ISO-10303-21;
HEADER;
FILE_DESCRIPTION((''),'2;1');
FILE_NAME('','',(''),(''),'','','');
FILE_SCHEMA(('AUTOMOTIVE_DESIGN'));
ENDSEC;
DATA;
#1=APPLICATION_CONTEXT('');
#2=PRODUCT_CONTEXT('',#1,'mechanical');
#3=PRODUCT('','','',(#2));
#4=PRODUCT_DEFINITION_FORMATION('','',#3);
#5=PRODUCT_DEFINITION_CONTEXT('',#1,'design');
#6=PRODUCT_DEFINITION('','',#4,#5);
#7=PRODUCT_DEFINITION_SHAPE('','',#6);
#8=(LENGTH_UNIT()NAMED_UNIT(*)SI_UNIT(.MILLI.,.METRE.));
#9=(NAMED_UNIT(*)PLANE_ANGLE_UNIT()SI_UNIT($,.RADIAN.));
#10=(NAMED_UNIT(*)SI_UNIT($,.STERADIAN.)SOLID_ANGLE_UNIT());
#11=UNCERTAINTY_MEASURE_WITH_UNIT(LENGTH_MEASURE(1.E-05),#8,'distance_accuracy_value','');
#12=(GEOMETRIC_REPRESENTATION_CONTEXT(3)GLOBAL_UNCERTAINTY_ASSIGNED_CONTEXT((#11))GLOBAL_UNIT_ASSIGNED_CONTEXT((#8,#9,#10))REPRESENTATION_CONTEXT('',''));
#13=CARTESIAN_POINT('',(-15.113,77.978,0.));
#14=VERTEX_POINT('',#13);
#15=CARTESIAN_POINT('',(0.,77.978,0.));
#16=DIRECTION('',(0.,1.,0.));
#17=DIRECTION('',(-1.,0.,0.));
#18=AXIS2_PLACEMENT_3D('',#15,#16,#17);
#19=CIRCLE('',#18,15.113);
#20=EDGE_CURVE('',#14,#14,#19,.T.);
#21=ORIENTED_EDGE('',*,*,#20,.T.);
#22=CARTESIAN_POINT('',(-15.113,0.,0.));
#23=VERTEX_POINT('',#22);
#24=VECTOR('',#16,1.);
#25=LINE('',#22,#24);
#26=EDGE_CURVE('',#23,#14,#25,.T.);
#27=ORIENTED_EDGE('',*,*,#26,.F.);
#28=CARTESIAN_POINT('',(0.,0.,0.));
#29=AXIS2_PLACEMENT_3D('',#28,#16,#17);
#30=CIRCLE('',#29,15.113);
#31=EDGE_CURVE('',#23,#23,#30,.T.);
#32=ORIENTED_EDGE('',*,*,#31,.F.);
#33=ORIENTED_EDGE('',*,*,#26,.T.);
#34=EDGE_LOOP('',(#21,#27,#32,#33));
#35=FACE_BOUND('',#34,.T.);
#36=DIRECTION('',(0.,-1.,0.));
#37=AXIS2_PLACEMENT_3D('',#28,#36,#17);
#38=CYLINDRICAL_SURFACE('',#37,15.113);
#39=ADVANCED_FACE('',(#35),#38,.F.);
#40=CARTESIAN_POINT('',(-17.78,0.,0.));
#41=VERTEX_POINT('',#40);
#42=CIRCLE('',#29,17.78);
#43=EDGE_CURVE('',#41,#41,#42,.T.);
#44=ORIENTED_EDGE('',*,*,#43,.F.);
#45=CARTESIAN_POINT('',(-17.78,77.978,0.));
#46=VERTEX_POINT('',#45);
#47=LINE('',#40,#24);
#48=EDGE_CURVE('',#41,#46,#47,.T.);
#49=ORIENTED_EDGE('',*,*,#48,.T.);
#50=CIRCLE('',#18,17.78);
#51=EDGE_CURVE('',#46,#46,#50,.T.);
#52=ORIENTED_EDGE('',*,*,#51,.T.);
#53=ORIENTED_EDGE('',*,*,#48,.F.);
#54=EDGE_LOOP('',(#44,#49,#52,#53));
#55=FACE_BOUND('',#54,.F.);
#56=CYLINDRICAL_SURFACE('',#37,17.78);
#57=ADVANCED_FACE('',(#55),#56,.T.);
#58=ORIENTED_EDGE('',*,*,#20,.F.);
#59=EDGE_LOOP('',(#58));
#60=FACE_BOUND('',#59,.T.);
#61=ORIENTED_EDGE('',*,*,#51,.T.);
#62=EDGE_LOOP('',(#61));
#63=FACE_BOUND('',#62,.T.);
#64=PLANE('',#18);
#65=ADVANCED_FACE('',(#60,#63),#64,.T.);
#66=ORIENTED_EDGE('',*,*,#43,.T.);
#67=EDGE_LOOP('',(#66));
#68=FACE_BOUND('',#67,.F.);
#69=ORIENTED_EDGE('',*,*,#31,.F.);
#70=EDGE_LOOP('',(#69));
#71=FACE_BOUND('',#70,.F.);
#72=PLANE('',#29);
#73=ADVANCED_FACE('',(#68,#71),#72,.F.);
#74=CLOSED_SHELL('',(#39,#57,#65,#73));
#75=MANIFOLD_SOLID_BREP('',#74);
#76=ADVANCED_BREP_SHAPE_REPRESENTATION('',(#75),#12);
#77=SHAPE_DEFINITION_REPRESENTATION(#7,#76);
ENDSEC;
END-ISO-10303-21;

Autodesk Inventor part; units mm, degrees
ref_plane "YZ Plane" through (0, 0, 0) normal (1, 0, 0) x (0, 1, 0)
ref_plane "XZ Plane" through (0, 0, 0) normal (0, 1, 0) x (-1, 0, 0)
ref_plane "XY Plane" through (0, 0, 0) normal (0, 0, 1) x (1, 0, 0)
sketch "Sketch1" plane through (0, 0, 0) normal (0, 1, 0) x (-1, 0, 0)
  circle A0 centre (0, 0) radius 15.113
  circle A1 centre (0, 0) radius 17.78
  dimension "d0" = 30.226
  dimension "d1" = 35.56
extrude "Extrusion1" add sketch "Sketch1" along normal blind 77.978
properties part number "nozzleshell"
